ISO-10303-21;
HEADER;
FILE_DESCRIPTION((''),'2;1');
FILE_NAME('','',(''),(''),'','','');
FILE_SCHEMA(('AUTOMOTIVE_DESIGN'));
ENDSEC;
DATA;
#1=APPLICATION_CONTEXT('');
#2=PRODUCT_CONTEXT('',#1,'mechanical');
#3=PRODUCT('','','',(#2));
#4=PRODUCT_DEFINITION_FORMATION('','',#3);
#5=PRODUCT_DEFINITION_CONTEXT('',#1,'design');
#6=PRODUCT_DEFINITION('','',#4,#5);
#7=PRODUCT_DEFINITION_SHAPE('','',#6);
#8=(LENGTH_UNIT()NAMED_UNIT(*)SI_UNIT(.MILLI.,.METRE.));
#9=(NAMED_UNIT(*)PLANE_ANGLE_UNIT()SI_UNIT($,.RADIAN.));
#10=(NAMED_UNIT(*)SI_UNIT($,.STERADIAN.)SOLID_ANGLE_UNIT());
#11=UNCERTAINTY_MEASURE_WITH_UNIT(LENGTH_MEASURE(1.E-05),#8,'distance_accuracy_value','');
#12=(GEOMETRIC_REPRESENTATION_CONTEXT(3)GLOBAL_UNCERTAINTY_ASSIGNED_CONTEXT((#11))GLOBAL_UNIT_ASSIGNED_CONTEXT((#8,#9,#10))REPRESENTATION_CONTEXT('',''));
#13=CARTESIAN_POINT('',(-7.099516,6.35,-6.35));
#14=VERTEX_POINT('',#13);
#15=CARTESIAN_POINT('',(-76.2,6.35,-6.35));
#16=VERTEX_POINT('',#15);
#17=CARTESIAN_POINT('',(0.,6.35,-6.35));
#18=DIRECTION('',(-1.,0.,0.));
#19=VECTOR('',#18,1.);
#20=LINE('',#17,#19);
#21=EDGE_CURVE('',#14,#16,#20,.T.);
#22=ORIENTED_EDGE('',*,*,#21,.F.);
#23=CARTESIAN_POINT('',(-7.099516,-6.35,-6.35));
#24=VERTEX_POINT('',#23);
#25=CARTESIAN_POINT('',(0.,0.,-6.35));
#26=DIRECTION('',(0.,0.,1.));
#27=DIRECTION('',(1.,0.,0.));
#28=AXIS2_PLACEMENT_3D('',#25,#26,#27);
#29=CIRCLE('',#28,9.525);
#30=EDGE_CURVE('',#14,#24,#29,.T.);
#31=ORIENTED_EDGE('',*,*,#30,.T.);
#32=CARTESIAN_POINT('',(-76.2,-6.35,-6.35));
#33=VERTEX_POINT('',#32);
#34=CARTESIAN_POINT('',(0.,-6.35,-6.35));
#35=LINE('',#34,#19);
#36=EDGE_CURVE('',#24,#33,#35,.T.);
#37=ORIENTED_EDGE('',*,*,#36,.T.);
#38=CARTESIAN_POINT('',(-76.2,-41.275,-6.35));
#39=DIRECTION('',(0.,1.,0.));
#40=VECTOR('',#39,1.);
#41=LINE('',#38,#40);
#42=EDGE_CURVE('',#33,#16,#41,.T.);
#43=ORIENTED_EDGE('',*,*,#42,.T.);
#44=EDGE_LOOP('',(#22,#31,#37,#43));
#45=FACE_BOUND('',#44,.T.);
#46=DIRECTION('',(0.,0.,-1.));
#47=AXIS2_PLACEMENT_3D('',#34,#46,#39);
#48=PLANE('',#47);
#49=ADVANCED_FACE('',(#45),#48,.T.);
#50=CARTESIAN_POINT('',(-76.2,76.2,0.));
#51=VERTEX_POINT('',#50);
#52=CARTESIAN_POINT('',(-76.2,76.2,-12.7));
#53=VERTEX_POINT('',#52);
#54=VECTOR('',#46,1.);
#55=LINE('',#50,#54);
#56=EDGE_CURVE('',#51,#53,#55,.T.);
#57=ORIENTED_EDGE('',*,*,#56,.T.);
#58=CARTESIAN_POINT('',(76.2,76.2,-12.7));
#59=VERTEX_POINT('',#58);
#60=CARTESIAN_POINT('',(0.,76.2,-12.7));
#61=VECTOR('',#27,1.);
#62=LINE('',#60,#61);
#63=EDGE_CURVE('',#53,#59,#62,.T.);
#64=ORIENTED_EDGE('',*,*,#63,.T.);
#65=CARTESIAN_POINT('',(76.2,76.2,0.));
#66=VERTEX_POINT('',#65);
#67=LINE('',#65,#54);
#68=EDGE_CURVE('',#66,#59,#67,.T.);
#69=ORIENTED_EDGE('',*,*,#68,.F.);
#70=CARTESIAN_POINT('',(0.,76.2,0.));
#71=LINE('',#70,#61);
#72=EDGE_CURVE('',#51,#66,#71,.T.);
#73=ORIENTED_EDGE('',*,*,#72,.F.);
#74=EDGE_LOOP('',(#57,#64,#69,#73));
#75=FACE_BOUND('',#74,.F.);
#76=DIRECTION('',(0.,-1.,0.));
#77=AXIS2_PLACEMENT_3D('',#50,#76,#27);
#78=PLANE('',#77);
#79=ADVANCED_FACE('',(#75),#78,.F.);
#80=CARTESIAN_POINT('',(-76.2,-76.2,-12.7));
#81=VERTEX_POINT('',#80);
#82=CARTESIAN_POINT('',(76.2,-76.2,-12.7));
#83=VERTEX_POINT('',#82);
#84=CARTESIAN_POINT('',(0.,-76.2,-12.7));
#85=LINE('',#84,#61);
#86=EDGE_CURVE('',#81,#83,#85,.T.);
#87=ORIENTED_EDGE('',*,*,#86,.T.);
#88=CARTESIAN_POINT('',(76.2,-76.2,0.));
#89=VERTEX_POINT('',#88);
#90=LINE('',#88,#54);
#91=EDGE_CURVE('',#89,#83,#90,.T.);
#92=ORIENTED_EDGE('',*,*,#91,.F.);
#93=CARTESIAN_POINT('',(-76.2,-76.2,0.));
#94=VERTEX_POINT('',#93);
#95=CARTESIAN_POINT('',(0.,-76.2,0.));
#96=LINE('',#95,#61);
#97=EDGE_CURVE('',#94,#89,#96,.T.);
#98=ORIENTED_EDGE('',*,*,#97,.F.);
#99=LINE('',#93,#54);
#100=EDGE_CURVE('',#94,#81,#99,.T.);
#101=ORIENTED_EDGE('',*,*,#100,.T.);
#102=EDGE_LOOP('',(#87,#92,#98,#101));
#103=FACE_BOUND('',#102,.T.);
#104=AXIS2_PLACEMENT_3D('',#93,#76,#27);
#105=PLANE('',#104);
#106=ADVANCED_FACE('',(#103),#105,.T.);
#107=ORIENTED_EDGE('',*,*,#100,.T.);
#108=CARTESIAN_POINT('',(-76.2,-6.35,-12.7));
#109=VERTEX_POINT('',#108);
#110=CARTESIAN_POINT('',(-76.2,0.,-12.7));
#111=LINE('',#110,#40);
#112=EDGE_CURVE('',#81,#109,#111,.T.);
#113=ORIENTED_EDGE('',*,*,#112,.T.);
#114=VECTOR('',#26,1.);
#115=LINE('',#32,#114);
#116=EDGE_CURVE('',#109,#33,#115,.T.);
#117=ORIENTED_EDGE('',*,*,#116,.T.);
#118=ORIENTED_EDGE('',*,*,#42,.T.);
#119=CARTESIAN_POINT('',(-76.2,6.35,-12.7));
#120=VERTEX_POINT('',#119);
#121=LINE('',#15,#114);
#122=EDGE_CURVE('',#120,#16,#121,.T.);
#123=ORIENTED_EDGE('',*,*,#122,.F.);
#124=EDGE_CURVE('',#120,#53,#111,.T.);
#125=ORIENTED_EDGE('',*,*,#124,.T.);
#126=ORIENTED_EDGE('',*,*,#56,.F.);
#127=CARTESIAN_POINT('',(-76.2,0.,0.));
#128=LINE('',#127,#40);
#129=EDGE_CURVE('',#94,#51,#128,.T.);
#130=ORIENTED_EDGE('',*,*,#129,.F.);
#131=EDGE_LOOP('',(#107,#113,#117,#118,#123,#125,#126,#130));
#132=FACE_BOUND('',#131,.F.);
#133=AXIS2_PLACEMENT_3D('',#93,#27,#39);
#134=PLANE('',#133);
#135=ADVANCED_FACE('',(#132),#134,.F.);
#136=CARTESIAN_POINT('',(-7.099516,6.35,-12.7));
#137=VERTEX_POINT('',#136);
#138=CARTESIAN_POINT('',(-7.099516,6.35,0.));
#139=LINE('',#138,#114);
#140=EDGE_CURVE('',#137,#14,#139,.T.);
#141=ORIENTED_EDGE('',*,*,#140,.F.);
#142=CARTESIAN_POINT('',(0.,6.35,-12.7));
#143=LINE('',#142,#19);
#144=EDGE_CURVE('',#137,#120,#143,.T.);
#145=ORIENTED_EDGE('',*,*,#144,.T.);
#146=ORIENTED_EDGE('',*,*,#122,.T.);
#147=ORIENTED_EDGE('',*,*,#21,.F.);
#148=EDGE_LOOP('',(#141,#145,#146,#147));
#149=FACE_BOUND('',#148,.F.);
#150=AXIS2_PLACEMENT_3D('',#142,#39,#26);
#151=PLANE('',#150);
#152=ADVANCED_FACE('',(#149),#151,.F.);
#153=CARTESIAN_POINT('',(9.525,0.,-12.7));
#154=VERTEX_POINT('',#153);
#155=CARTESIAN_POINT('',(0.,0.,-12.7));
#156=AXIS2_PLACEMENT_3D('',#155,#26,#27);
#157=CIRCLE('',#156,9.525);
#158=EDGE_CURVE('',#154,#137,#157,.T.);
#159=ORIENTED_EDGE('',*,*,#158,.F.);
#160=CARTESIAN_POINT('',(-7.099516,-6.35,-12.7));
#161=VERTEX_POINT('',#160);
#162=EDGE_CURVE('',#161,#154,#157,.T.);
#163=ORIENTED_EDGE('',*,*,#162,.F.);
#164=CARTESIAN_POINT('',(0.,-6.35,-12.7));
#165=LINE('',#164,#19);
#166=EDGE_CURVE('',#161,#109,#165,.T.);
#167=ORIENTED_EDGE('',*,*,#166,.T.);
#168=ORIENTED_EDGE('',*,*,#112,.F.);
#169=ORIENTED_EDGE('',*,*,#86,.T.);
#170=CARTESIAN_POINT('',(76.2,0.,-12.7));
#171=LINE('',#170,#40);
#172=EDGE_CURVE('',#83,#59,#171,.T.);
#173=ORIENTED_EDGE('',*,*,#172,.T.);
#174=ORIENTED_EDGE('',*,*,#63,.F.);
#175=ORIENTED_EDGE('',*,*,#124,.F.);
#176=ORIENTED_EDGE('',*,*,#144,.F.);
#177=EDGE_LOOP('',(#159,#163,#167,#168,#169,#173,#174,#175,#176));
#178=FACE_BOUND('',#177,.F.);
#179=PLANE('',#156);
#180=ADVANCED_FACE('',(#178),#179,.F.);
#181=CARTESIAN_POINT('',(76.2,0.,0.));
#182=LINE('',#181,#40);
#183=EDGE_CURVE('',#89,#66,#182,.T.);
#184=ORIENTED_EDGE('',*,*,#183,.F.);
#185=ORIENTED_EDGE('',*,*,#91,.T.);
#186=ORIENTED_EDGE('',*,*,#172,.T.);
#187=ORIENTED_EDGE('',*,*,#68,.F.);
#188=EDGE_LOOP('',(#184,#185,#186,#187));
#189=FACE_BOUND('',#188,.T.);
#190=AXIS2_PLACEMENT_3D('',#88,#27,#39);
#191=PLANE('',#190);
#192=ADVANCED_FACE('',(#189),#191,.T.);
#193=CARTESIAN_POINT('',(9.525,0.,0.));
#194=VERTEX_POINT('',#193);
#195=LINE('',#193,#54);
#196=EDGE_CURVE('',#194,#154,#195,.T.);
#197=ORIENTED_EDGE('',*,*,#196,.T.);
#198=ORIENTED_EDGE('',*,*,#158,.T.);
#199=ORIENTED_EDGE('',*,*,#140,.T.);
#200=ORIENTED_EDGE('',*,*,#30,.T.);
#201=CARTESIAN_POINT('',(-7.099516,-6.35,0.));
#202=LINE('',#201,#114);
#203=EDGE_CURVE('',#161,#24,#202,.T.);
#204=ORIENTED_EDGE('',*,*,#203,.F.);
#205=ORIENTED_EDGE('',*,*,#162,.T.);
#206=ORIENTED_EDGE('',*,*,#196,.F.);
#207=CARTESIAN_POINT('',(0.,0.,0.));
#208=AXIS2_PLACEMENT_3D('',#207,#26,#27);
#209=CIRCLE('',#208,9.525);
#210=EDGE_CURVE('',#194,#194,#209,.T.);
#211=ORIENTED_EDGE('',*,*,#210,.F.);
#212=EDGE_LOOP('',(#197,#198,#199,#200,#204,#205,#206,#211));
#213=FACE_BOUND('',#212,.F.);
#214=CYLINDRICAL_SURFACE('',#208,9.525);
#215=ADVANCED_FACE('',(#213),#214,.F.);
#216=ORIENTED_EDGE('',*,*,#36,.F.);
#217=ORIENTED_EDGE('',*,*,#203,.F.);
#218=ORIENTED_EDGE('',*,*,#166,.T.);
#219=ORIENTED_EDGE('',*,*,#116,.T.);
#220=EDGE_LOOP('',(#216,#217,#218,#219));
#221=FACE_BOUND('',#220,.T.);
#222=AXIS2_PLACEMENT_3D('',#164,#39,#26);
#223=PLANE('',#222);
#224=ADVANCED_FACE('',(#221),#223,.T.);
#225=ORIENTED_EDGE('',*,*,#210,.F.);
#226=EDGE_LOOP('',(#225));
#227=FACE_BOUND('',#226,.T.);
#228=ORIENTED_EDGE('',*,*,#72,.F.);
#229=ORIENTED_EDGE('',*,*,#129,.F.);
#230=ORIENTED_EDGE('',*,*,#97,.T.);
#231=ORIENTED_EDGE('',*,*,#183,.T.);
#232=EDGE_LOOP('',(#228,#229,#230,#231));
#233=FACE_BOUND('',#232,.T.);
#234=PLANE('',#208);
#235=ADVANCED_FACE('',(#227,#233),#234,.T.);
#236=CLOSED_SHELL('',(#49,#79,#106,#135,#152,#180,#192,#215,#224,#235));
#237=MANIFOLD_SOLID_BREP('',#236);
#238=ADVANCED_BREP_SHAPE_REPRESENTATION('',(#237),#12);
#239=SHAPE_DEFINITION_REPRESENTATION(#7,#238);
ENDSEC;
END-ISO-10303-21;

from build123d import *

# Parameters (mm, degrees)
F0_W     = 152.4
F0_H     = 152.4
F0_R     = 9.525
F1_DEPTH = 12.7
F2_W     = 12.7
F2_H     = 6.35
F3_DEPTH = 76.201


with BuildPart() as f1:
    # F0 (on Top) → F1 (new body)
    with BuildSketch(Plane.XY):
        Rectangle(F0_W, F0_H)
        Circle(F0_R, mode=Mode.SUBTRACT)
    extrude(amount=-F1_DEPTH)

    # F2 (on Right) → F3 (cut, through all)
    with BuildSketch(Plane.YZ):
        with Locations((0, -9.525)):
            Rectangle(F2_W, F2_H)
    extrude(amount=-F3_DEPTH, mode=Mode.SUBTRACT)


solid = f1.part
